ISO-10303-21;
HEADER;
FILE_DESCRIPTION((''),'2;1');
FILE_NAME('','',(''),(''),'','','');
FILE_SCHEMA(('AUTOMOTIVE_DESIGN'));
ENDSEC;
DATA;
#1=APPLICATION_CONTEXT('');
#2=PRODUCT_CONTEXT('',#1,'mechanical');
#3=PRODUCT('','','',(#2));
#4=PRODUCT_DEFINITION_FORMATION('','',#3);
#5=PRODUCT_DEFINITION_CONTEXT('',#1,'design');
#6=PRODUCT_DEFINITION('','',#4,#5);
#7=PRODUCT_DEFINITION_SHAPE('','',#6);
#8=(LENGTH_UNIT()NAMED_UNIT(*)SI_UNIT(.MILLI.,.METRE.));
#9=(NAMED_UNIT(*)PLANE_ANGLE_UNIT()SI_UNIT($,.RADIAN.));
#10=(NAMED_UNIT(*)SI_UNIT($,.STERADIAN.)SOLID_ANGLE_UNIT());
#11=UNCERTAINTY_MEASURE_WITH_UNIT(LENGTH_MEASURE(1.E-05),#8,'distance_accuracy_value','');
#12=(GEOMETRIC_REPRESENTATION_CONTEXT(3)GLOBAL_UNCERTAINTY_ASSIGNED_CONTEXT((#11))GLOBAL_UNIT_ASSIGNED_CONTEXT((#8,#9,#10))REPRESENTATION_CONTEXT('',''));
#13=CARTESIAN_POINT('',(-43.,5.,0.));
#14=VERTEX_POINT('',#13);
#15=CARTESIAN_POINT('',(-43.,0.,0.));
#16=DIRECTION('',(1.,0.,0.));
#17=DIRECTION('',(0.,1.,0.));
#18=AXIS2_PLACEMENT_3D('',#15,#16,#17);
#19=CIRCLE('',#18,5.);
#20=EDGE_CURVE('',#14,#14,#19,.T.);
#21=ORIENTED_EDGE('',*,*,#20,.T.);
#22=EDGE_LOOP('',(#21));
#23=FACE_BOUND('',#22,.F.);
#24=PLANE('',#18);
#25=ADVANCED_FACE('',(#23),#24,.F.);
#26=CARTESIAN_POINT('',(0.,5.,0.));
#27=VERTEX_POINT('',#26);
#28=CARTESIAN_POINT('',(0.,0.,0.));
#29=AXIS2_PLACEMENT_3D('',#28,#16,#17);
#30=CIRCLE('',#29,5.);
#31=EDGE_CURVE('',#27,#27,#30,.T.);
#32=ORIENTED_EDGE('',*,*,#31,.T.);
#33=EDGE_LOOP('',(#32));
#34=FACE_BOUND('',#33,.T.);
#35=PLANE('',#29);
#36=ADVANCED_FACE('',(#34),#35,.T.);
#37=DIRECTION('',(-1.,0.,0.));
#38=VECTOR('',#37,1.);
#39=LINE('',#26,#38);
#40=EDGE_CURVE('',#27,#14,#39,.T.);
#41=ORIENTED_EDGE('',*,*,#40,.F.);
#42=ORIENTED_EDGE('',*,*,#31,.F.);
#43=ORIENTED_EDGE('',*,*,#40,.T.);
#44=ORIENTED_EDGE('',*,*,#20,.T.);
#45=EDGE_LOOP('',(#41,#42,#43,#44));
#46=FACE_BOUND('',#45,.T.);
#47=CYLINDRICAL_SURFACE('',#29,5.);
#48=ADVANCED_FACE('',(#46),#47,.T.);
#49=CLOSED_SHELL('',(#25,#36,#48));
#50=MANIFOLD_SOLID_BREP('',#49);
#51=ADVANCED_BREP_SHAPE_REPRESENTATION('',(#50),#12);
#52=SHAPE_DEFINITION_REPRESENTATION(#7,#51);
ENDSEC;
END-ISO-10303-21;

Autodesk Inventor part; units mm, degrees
ref_plane "YZ Plane" through (0, 0, 0) normal (1, 0, 0) x (0, 1, 0)
ref_plane "XZ Plane" through (0, 0, 0) normal (0, 1, 0) x (-1, 0, 0)
ref_plane "XY Plane" through (0, 0, 0) normal (0, 0, 1) x (1, 0, 0)
sketch "Skizze1" plane through (0, 0, 0) normal (1, 0, 0) x (0, 1, 0)
  circle A0 centre (0, 0) radius 5
  dimension "d0" = 10
extrude "Extrusion1" add sketch "Skizze1" against normal blind 43
properties part number "welle"
